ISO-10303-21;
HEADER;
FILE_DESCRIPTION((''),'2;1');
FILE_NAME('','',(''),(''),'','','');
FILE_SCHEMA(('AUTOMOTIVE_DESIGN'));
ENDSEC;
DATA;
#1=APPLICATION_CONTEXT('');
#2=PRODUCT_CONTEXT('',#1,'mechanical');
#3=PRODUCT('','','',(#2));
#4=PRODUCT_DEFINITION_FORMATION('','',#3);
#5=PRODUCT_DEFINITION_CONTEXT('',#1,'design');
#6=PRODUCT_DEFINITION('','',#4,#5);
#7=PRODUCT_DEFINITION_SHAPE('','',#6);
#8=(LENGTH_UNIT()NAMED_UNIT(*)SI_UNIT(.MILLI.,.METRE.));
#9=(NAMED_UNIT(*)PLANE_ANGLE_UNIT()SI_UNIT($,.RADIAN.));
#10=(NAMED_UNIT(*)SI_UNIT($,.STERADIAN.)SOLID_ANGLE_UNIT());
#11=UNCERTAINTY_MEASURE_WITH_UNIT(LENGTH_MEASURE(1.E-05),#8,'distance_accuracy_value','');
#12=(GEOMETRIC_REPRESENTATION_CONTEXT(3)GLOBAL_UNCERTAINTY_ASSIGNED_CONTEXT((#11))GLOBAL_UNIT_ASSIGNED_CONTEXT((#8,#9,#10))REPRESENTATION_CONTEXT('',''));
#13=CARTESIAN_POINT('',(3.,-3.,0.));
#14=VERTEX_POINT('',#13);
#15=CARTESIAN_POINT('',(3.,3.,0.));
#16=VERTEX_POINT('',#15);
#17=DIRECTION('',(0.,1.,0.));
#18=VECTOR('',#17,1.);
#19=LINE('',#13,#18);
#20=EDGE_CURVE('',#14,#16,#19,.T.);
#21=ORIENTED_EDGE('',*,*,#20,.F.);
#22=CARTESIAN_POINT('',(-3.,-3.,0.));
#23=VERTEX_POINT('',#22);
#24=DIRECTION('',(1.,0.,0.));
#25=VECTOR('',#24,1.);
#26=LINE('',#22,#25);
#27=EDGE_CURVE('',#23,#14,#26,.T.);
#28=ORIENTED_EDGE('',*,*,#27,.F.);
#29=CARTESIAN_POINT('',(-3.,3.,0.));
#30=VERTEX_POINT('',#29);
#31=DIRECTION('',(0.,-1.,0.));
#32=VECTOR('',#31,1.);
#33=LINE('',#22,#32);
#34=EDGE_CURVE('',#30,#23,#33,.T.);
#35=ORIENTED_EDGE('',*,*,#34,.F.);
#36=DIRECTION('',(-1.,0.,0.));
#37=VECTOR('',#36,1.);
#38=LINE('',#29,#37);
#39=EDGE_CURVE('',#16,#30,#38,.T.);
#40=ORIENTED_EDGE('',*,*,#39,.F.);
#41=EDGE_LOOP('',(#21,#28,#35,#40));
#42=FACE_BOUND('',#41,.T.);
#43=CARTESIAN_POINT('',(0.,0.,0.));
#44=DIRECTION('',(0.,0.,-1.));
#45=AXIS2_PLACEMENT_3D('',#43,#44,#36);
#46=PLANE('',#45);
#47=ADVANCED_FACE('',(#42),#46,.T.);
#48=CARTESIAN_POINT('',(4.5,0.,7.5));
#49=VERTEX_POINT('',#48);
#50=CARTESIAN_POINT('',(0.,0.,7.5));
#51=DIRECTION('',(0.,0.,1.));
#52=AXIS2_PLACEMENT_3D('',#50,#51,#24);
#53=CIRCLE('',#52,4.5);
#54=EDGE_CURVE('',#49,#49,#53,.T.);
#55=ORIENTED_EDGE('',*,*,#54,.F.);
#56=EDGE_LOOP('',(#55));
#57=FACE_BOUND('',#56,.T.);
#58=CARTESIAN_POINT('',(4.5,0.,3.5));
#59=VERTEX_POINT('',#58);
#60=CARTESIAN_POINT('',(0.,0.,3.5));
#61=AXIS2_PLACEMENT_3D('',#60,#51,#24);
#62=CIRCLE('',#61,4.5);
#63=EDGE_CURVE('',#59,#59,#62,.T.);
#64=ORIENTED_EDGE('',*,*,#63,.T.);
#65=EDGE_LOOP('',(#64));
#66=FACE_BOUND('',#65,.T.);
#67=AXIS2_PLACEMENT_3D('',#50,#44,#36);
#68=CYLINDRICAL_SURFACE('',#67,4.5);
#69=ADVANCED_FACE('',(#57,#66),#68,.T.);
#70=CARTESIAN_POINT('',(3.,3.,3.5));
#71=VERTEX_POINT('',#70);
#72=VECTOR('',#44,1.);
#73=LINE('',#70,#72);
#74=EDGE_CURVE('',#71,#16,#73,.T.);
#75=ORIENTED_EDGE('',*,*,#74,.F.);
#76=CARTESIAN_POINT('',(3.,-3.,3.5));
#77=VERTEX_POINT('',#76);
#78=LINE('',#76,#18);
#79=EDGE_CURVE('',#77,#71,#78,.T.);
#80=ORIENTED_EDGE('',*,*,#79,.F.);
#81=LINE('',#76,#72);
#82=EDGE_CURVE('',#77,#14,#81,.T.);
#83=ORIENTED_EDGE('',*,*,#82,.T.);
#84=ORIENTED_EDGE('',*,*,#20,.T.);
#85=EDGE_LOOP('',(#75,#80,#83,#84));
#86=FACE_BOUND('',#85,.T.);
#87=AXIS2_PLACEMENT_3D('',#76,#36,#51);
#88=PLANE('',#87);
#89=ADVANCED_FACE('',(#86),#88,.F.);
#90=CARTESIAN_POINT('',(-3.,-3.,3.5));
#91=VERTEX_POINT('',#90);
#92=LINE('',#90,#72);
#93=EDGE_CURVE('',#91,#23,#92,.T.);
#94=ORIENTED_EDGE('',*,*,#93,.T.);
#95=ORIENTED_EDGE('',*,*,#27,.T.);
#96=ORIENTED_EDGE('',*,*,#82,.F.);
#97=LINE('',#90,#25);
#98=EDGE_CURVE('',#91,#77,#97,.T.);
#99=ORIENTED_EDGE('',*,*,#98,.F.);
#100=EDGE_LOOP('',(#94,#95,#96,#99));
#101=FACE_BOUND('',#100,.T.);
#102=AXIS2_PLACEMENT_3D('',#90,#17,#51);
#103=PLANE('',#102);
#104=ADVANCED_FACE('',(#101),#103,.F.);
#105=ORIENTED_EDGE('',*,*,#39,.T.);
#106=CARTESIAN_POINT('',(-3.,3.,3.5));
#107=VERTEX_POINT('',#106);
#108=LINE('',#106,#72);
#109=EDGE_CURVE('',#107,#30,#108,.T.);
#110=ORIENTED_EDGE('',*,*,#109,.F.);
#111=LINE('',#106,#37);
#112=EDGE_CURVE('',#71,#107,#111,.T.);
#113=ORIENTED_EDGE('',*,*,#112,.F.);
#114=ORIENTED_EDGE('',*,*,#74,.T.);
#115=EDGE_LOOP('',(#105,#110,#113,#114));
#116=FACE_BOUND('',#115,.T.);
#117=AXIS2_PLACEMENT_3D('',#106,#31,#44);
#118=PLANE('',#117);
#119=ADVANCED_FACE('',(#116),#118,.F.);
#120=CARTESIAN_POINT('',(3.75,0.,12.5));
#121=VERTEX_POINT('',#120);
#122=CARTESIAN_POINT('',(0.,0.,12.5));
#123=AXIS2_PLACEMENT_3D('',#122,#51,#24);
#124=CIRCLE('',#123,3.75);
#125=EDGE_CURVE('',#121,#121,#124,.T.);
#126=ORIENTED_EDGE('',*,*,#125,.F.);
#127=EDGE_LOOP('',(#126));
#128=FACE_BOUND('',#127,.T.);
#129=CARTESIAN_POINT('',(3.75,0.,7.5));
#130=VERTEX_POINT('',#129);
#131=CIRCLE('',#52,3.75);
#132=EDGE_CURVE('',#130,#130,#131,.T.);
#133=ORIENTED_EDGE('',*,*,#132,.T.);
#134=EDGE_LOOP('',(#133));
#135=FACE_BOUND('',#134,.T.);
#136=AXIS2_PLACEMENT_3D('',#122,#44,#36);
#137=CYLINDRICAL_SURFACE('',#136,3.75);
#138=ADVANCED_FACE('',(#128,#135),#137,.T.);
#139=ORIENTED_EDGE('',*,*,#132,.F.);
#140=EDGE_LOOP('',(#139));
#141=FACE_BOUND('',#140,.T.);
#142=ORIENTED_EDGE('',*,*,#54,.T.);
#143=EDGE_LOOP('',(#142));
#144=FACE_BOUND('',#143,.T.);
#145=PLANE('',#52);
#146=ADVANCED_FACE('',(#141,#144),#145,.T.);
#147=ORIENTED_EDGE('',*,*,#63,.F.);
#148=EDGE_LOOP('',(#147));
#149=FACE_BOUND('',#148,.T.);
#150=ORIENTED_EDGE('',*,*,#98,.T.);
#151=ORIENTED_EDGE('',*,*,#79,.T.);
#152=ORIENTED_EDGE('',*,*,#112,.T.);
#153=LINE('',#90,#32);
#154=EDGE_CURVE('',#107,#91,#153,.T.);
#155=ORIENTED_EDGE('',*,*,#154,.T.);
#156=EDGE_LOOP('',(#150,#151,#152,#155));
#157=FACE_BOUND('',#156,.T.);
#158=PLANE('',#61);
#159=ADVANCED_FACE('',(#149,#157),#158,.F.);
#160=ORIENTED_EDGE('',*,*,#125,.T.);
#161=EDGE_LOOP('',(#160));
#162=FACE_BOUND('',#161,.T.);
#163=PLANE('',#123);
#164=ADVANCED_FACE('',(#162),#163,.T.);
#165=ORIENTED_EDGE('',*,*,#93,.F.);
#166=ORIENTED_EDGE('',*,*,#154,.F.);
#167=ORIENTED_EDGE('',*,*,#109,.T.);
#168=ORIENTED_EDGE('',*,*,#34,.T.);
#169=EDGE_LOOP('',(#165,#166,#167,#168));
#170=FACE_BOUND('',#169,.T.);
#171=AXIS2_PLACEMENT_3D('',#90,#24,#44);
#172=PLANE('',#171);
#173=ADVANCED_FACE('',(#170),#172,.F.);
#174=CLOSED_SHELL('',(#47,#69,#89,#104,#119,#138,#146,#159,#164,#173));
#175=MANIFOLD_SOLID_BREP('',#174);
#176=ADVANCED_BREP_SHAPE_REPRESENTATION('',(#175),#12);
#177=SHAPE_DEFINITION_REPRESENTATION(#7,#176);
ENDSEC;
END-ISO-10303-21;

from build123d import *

# Parameters (mm, degrees)
CROQUIS1_W              = 6
CROQUIS1_H              = 6
SALIENTE_EXTRUIR1_DEPTH = 3.5
CROQUIS2_R              = 4.5
SALIENTE_EXTRUIR2_DEPTH = 4
CROQUIS3_R              = 3.75
SALIENTE_EXTRUIR3_DEPTH = 5


with BuildPart() as part:
    # Croquis1 → Saliente-Extruir1 (new body)
    with BuildSketch(Plane.XY):
        Rectangle(CROQUIS1_W, CROQUIS1_H)
    extrude(amount=SALIENTE_EXTRUIR1_DEPTH)

    # Croquis2 → Saliente-Extruir2 (add)
    with BuildSketch(Plane.XY.offset(3.5)):
        Circle(CROQUIS2_R)
    extrude(amount=SALIENTE_EXTRUIR2_DEPTH)

    # Croquis3 → Saliente-Extruir3 (add)
    with BuildSketch(Plane.XY.offset(7.5)):
        Circle(CROQUIS3_R)
    extrude(amount=SALIENTE_EXTRUIR3_DEPTH)


solid = part.part
